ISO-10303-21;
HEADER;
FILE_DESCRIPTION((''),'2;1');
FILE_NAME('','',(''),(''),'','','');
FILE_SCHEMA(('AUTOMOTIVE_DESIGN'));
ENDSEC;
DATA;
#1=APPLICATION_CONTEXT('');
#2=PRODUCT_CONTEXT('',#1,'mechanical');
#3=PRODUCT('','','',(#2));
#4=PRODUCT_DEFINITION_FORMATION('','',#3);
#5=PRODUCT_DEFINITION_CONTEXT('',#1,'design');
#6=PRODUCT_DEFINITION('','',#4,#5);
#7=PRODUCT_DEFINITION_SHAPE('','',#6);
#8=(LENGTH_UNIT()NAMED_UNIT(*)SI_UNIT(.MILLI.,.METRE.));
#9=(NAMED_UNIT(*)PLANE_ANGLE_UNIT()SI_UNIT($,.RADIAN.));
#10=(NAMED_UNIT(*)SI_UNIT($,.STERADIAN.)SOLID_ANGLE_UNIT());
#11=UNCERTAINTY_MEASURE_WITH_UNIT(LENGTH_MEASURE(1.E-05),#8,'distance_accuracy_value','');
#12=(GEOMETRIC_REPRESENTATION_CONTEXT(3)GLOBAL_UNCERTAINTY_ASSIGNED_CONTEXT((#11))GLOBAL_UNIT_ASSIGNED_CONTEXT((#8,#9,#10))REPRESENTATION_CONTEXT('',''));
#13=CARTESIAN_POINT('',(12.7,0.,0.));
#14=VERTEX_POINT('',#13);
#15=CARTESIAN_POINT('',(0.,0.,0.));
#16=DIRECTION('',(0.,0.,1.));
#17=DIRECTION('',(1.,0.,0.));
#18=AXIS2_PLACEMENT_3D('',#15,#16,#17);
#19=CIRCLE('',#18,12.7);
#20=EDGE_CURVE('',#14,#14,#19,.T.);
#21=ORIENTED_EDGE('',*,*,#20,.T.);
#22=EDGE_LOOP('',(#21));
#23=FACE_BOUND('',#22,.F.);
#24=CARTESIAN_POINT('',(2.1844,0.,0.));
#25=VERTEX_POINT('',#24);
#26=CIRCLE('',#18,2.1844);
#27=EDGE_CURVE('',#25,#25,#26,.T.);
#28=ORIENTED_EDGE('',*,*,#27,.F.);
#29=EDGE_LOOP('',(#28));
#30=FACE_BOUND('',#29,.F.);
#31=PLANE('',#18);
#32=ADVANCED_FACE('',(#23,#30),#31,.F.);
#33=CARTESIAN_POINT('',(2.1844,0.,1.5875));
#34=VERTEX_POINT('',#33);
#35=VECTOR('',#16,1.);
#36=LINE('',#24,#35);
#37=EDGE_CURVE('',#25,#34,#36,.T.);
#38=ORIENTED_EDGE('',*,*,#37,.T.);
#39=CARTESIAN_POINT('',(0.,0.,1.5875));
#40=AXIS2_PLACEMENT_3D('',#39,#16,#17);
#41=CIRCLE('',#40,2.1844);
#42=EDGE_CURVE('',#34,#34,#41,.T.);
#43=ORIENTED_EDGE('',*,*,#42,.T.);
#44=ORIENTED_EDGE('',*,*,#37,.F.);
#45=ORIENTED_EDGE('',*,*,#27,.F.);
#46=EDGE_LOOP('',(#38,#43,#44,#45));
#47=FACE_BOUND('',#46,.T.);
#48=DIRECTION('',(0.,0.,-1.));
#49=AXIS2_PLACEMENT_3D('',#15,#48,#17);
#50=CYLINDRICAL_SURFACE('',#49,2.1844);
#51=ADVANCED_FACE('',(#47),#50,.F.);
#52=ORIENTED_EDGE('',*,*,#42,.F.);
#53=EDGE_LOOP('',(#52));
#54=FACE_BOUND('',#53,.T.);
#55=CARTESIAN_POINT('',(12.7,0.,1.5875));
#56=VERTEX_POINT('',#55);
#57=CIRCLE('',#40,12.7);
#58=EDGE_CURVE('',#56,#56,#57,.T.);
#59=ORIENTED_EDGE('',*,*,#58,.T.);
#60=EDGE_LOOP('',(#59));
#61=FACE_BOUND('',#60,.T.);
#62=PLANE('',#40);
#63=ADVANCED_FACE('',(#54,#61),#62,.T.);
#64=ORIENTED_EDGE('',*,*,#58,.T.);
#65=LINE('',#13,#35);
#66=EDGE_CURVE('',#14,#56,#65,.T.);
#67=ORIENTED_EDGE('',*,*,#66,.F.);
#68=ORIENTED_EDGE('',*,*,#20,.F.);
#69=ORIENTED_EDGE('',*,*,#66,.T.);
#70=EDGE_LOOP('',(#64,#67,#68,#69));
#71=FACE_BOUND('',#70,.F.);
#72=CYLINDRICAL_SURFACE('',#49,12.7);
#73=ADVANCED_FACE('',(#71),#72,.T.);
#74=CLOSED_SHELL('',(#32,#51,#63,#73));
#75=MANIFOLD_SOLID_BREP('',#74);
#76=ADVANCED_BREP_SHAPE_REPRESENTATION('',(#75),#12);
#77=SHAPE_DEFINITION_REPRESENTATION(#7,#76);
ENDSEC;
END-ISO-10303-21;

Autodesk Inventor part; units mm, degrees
ref_plane "YZ Plane" through (0, 0, 0) normal (1, 0, 0) x (0, 1, 0)
ref_plane "XZ Plane" through (0, 0, 0) normal (0, 1, 0) x (-1, 0, 0)
ref_plane "XY Plane" through (0, 0, 0) normal (0, 0, 1) x (1, 0, 0)
sketch "Sketch1" plane through (0, 0, 0) normal (0, 0, 1) x (1, 0, 0)
  circle A0 centre (0, 0) radius 12.7
  circle A1 centre (0, 0) radius 2.1844
  dimension "d0" = 25.4
  dimension "d1" = 4.3688
extrude "Extrusion1" add sketch "Sketch1" along normal blind 1.5875
properties part number "16"
